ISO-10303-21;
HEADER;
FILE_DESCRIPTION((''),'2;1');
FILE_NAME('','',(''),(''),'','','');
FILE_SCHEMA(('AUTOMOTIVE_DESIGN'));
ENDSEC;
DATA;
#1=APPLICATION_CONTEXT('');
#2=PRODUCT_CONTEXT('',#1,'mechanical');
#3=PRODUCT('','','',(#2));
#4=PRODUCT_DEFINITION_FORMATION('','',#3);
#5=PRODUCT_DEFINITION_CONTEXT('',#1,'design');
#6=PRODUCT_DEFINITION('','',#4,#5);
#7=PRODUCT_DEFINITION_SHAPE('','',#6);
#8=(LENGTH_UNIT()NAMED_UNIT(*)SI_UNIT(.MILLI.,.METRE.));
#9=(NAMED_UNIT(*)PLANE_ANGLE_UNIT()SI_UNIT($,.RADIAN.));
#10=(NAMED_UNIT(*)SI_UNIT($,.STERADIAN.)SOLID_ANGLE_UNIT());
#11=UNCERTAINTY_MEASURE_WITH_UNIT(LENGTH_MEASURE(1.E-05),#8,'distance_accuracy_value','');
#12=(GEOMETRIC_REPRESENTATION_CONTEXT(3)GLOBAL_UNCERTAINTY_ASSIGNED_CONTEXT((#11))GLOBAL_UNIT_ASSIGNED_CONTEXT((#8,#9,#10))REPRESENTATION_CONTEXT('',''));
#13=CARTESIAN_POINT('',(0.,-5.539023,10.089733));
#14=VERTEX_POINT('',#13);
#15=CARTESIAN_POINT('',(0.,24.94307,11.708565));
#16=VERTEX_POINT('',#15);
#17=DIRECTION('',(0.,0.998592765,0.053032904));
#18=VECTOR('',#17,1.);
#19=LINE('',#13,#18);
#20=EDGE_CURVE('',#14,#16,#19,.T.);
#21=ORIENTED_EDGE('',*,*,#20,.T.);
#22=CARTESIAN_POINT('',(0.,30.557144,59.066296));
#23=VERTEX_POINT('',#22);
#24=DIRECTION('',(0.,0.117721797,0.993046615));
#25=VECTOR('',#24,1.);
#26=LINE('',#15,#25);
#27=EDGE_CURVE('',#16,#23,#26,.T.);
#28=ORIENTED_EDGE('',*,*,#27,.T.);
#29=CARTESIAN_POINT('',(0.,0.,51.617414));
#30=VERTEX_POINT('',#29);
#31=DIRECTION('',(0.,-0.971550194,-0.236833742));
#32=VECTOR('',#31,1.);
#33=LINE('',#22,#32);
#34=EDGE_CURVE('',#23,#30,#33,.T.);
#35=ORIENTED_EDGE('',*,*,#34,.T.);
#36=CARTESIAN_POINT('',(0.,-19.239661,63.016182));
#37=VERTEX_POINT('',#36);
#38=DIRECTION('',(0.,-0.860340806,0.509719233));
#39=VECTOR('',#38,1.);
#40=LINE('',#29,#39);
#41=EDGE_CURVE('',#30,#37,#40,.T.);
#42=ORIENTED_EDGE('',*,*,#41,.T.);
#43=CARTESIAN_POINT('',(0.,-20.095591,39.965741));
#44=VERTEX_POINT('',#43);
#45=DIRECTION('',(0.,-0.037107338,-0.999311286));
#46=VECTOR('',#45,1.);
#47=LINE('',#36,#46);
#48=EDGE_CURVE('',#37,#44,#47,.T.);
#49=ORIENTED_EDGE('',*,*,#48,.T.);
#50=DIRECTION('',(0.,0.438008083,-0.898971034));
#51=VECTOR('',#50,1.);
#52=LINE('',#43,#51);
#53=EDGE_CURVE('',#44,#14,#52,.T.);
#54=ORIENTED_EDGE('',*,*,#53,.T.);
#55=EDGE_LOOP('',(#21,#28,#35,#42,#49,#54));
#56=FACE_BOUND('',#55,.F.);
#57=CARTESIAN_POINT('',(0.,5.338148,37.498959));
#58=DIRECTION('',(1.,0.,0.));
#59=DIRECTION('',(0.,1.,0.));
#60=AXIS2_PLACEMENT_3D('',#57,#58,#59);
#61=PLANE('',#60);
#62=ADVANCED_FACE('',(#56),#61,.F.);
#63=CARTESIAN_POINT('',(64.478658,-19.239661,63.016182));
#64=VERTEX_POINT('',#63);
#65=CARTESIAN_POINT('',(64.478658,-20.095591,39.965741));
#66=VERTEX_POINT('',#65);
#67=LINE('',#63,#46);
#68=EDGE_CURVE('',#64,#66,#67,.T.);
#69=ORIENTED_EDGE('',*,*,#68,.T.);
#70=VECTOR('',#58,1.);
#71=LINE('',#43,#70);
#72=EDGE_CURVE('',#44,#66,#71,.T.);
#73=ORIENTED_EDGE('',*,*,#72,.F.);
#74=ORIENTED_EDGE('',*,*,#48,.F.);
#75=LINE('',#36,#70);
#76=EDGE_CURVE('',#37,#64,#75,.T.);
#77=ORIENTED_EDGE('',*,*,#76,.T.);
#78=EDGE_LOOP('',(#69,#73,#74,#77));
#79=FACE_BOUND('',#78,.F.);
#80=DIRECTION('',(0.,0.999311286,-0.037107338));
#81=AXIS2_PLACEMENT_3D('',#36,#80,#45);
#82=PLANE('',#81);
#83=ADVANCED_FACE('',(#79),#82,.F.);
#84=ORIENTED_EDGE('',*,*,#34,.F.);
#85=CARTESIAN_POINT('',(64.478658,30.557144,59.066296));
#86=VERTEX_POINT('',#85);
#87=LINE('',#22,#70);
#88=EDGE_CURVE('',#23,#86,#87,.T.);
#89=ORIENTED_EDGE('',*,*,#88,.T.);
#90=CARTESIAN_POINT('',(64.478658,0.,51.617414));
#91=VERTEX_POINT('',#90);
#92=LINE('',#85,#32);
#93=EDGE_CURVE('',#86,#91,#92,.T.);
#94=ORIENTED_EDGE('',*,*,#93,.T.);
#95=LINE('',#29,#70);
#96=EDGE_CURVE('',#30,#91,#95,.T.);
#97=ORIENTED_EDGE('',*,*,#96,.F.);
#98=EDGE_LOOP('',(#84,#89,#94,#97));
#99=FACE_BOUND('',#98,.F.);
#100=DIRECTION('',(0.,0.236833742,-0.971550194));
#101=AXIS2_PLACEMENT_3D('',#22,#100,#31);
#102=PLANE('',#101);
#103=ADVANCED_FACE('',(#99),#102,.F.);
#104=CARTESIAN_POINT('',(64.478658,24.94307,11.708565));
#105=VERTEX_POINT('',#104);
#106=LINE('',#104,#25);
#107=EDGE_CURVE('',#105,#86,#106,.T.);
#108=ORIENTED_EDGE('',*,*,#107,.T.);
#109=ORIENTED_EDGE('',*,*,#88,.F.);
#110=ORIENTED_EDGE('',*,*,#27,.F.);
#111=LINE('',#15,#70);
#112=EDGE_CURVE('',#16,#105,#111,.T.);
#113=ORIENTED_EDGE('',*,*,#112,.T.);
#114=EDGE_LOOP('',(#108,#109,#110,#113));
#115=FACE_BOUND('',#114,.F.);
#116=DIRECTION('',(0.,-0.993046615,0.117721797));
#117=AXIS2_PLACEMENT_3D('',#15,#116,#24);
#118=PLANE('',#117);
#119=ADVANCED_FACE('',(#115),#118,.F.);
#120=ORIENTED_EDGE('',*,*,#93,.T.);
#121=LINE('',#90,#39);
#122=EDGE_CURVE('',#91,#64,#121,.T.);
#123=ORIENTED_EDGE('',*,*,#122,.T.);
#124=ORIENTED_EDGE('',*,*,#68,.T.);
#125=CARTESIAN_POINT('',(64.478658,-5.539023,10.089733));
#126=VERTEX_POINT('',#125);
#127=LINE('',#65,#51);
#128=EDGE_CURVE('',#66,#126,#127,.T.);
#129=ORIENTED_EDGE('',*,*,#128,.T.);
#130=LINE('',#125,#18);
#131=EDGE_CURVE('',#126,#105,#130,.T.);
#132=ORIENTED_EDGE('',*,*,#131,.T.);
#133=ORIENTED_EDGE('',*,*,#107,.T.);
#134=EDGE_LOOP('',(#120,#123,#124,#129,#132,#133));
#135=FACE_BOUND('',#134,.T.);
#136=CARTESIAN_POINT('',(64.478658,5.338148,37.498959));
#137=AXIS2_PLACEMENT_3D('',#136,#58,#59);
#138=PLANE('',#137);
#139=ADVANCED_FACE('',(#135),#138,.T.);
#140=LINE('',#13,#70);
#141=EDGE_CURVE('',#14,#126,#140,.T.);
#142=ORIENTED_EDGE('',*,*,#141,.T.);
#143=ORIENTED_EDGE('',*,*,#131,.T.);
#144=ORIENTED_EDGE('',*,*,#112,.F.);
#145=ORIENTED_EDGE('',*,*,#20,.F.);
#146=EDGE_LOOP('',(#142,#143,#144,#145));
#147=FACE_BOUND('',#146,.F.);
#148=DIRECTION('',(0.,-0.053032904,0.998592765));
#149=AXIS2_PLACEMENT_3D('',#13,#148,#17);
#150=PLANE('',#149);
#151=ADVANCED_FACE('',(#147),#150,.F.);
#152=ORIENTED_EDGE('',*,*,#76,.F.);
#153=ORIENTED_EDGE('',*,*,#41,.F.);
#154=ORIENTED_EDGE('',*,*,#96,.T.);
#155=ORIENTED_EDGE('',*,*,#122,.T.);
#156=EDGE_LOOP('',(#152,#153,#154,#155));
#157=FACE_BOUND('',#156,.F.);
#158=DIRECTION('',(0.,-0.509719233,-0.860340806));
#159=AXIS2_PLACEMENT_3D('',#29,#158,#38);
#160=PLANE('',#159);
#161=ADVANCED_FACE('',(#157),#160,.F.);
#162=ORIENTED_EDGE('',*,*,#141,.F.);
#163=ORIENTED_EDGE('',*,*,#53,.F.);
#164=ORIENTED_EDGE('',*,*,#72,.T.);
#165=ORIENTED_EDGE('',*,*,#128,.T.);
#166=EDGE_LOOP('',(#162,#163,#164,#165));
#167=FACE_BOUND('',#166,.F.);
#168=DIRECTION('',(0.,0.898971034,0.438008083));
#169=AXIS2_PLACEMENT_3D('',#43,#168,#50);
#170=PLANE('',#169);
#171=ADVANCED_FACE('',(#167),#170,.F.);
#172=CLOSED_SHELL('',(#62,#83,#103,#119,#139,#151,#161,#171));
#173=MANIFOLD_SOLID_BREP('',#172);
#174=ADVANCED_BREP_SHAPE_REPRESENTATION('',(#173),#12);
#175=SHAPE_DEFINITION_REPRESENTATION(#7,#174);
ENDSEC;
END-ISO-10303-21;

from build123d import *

# Parameters (mm, degrees)
F2_DEPTH = 64.478658


with BuildPart() as f2:
    # F1 (on face) → F2 (new body)
    with BuildSketch(Plane.YZ):
        Polygon((30.557144, 59.066296), (0, 51.617414), (-19.239661, 63.016182), (-20.095591, 39.965741), (-5.539023, 10.089733), (24.94307, 11.708565), align=None)
    extrude(amount=F2_DEPTH)


solid = f2.part
